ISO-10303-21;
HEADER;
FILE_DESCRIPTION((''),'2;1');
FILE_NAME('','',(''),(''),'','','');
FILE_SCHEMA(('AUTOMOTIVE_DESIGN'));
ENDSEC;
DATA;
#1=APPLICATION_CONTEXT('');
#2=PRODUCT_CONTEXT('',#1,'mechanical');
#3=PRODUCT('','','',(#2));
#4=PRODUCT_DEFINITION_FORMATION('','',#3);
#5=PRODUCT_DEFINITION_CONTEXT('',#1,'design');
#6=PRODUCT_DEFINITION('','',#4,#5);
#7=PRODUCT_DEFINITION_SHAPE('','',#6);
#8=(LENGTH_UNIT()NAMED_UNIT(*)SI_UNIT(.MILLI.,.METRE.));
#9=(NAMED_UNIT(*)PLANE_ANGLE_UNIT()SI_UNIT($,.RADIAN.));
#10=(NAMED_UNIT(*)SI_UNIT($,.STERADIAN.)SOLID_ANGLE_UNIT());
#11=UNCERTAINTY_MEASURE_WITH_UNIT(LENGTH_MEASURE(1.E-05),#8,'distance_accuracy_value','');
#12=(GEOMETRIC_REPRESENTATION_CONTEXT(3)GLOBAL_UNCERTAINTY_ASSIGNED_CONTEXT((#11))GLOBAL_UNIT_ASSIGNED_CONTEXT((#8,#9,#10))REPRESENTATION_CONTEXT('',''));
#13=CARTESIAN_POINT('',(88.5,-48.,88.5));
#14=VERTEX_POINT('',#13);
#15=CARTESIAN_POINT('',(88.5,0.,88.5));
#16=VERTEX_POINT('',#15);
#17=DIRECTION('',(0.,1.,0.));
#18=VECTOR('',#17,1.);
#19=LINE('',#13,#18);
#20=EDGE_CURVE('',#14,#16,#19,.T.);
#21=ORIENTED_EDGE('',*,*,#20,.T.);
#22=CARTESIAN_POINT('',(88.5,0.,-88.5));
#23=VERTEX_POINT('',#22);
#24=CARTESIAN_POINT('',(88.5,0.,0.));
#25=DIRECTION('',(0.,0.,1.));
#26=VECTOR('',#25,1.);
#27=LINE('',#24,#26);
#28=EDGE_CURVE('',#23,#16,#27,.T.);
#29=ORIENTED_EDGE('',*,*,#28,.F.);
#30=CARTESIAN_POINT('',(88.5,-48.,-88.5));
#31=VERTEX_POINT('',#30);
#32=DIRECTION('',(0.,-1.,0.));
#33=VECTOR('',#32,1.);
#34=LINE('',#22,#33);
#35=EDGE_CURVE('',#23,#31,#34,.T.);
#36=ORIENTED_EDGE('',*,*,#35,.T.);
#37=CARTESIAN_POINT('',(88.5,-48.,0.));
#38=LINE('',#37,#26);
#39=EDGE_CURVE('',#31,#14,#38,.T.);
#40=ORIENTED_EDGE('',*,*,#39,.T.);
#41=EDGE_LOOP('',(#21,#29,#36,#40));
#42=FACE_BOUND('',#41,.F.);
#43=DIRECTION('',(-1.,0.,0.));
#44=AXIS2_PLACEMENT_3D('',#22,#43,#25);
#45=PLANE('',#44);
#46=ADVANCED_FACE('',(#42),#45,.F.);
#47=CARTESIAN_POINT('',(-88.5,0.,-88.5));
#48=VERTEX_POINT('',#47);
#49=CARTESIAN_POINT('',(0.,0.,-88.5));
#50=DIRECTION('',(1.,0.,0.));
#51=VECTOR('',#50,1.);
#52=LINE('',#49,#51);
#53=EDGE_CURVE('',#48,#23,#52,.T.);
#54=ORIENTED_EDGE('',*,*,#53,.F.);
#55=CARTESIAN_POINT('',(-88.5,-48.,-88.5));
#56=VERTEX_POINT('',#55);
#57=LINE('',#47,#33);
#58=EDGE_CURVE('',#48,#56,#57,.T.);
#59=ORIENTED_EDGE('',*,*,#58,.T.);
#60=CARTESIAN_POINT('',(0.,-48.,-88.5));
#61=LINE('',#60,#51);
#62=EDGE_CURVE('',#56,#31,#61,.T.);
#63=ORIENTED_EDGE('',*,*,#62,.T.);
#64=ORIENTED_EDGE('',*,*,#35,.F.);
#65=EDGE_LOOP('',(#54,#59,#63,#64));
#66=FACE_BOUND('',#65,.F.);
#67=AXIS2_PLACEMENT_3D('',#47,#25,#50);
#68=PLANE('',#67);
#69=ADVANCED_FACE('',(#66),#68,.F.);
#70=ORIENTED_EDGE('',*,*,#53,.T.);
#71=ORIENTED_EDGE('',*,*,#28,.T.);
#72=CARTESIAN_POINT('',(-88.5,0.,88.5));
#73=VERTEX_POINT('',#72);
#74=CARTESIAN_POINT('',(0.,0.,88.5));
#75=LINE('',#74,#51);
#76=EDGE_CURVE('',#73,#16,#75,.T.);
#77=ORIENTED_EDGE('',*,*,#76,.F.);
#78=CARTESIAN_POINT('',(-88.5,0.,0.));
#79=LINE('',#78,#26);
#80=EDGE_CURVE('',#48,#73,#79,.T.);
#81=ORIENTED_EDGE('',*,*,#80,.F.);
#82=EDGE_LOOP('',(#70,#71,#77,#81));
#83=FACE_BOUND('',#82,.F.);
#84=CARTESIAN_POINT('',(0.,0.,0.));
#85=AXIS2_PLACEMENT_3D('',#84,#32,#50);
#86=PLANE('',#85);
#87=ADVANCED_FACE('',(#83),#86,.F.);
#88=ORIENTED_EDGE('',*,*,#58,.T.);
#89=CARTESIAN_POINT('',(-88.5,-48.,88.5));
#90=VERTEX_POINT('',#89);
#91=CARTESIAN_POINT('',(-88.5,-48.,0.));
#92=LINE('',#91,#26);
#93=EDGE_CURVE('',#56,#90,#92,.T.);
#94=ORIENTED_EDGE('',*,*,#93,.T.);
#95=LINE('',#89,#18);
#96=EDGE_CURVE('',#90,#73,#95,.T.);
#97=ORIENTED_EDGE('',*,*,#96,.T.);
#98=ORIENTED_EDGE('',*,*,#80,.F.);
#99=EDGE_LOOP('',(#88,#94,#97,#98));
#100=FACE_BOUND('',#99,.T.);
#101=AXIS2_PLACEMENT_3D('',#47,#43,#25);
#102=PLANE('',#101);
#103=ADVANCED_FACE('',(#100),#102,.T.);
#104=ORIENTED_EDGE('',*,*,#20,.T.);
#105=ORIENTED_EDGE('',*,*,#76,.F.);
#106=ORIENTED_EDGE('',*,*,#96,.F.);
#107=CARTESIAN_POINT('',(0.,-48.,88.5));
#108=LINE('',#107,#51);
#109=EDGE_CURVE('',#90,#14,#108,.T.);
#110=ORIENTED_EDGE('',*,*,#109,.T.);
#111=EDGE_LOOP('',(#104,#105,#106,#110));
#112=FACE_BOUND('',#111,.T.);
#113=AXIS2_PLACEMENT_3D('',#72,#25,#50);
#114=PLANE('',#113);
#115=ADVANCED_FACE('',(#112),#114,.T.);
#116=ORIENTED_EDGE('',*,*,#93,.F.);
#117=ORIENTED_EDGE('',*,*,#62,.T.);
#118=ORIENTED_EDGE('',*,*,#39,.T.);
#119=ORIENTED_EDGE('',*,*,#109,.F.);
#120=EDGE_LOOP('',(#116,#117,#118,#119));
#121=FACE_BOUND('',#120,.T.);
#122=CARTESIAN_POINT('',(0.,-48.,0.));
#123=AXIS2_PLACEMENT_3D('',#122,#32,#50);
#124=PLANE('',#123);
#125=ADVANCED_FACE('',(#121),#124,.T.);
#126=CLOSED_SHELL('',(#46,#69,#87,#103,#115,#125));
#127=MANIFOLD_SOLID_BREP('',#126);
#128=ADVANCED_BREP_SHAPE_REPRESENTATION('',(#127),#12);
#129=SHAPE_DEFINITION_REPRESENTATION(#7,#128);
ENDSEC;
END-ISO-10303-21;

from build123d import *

# Parameters (mm, degrees)
F0_W     = 177
F0_H     = 177
F1_DEPTH = 48
F2_DEPTH = 25


with BuildPart() as f1:
    # F0 (on Front) → F1 (new body)
    with BuildSketch(Plane.XZ):
        Rectangle(F0_W, F0_H)
    extrude(amount=F1_DEPTH)

    # F0 (on Front) → F2 (join)
    with BuildSketch(Plane.XZ):
        Rectangle(F0_W, F0_H)
    extrude(amount=F2_DEPTH)


solid = f1.part
